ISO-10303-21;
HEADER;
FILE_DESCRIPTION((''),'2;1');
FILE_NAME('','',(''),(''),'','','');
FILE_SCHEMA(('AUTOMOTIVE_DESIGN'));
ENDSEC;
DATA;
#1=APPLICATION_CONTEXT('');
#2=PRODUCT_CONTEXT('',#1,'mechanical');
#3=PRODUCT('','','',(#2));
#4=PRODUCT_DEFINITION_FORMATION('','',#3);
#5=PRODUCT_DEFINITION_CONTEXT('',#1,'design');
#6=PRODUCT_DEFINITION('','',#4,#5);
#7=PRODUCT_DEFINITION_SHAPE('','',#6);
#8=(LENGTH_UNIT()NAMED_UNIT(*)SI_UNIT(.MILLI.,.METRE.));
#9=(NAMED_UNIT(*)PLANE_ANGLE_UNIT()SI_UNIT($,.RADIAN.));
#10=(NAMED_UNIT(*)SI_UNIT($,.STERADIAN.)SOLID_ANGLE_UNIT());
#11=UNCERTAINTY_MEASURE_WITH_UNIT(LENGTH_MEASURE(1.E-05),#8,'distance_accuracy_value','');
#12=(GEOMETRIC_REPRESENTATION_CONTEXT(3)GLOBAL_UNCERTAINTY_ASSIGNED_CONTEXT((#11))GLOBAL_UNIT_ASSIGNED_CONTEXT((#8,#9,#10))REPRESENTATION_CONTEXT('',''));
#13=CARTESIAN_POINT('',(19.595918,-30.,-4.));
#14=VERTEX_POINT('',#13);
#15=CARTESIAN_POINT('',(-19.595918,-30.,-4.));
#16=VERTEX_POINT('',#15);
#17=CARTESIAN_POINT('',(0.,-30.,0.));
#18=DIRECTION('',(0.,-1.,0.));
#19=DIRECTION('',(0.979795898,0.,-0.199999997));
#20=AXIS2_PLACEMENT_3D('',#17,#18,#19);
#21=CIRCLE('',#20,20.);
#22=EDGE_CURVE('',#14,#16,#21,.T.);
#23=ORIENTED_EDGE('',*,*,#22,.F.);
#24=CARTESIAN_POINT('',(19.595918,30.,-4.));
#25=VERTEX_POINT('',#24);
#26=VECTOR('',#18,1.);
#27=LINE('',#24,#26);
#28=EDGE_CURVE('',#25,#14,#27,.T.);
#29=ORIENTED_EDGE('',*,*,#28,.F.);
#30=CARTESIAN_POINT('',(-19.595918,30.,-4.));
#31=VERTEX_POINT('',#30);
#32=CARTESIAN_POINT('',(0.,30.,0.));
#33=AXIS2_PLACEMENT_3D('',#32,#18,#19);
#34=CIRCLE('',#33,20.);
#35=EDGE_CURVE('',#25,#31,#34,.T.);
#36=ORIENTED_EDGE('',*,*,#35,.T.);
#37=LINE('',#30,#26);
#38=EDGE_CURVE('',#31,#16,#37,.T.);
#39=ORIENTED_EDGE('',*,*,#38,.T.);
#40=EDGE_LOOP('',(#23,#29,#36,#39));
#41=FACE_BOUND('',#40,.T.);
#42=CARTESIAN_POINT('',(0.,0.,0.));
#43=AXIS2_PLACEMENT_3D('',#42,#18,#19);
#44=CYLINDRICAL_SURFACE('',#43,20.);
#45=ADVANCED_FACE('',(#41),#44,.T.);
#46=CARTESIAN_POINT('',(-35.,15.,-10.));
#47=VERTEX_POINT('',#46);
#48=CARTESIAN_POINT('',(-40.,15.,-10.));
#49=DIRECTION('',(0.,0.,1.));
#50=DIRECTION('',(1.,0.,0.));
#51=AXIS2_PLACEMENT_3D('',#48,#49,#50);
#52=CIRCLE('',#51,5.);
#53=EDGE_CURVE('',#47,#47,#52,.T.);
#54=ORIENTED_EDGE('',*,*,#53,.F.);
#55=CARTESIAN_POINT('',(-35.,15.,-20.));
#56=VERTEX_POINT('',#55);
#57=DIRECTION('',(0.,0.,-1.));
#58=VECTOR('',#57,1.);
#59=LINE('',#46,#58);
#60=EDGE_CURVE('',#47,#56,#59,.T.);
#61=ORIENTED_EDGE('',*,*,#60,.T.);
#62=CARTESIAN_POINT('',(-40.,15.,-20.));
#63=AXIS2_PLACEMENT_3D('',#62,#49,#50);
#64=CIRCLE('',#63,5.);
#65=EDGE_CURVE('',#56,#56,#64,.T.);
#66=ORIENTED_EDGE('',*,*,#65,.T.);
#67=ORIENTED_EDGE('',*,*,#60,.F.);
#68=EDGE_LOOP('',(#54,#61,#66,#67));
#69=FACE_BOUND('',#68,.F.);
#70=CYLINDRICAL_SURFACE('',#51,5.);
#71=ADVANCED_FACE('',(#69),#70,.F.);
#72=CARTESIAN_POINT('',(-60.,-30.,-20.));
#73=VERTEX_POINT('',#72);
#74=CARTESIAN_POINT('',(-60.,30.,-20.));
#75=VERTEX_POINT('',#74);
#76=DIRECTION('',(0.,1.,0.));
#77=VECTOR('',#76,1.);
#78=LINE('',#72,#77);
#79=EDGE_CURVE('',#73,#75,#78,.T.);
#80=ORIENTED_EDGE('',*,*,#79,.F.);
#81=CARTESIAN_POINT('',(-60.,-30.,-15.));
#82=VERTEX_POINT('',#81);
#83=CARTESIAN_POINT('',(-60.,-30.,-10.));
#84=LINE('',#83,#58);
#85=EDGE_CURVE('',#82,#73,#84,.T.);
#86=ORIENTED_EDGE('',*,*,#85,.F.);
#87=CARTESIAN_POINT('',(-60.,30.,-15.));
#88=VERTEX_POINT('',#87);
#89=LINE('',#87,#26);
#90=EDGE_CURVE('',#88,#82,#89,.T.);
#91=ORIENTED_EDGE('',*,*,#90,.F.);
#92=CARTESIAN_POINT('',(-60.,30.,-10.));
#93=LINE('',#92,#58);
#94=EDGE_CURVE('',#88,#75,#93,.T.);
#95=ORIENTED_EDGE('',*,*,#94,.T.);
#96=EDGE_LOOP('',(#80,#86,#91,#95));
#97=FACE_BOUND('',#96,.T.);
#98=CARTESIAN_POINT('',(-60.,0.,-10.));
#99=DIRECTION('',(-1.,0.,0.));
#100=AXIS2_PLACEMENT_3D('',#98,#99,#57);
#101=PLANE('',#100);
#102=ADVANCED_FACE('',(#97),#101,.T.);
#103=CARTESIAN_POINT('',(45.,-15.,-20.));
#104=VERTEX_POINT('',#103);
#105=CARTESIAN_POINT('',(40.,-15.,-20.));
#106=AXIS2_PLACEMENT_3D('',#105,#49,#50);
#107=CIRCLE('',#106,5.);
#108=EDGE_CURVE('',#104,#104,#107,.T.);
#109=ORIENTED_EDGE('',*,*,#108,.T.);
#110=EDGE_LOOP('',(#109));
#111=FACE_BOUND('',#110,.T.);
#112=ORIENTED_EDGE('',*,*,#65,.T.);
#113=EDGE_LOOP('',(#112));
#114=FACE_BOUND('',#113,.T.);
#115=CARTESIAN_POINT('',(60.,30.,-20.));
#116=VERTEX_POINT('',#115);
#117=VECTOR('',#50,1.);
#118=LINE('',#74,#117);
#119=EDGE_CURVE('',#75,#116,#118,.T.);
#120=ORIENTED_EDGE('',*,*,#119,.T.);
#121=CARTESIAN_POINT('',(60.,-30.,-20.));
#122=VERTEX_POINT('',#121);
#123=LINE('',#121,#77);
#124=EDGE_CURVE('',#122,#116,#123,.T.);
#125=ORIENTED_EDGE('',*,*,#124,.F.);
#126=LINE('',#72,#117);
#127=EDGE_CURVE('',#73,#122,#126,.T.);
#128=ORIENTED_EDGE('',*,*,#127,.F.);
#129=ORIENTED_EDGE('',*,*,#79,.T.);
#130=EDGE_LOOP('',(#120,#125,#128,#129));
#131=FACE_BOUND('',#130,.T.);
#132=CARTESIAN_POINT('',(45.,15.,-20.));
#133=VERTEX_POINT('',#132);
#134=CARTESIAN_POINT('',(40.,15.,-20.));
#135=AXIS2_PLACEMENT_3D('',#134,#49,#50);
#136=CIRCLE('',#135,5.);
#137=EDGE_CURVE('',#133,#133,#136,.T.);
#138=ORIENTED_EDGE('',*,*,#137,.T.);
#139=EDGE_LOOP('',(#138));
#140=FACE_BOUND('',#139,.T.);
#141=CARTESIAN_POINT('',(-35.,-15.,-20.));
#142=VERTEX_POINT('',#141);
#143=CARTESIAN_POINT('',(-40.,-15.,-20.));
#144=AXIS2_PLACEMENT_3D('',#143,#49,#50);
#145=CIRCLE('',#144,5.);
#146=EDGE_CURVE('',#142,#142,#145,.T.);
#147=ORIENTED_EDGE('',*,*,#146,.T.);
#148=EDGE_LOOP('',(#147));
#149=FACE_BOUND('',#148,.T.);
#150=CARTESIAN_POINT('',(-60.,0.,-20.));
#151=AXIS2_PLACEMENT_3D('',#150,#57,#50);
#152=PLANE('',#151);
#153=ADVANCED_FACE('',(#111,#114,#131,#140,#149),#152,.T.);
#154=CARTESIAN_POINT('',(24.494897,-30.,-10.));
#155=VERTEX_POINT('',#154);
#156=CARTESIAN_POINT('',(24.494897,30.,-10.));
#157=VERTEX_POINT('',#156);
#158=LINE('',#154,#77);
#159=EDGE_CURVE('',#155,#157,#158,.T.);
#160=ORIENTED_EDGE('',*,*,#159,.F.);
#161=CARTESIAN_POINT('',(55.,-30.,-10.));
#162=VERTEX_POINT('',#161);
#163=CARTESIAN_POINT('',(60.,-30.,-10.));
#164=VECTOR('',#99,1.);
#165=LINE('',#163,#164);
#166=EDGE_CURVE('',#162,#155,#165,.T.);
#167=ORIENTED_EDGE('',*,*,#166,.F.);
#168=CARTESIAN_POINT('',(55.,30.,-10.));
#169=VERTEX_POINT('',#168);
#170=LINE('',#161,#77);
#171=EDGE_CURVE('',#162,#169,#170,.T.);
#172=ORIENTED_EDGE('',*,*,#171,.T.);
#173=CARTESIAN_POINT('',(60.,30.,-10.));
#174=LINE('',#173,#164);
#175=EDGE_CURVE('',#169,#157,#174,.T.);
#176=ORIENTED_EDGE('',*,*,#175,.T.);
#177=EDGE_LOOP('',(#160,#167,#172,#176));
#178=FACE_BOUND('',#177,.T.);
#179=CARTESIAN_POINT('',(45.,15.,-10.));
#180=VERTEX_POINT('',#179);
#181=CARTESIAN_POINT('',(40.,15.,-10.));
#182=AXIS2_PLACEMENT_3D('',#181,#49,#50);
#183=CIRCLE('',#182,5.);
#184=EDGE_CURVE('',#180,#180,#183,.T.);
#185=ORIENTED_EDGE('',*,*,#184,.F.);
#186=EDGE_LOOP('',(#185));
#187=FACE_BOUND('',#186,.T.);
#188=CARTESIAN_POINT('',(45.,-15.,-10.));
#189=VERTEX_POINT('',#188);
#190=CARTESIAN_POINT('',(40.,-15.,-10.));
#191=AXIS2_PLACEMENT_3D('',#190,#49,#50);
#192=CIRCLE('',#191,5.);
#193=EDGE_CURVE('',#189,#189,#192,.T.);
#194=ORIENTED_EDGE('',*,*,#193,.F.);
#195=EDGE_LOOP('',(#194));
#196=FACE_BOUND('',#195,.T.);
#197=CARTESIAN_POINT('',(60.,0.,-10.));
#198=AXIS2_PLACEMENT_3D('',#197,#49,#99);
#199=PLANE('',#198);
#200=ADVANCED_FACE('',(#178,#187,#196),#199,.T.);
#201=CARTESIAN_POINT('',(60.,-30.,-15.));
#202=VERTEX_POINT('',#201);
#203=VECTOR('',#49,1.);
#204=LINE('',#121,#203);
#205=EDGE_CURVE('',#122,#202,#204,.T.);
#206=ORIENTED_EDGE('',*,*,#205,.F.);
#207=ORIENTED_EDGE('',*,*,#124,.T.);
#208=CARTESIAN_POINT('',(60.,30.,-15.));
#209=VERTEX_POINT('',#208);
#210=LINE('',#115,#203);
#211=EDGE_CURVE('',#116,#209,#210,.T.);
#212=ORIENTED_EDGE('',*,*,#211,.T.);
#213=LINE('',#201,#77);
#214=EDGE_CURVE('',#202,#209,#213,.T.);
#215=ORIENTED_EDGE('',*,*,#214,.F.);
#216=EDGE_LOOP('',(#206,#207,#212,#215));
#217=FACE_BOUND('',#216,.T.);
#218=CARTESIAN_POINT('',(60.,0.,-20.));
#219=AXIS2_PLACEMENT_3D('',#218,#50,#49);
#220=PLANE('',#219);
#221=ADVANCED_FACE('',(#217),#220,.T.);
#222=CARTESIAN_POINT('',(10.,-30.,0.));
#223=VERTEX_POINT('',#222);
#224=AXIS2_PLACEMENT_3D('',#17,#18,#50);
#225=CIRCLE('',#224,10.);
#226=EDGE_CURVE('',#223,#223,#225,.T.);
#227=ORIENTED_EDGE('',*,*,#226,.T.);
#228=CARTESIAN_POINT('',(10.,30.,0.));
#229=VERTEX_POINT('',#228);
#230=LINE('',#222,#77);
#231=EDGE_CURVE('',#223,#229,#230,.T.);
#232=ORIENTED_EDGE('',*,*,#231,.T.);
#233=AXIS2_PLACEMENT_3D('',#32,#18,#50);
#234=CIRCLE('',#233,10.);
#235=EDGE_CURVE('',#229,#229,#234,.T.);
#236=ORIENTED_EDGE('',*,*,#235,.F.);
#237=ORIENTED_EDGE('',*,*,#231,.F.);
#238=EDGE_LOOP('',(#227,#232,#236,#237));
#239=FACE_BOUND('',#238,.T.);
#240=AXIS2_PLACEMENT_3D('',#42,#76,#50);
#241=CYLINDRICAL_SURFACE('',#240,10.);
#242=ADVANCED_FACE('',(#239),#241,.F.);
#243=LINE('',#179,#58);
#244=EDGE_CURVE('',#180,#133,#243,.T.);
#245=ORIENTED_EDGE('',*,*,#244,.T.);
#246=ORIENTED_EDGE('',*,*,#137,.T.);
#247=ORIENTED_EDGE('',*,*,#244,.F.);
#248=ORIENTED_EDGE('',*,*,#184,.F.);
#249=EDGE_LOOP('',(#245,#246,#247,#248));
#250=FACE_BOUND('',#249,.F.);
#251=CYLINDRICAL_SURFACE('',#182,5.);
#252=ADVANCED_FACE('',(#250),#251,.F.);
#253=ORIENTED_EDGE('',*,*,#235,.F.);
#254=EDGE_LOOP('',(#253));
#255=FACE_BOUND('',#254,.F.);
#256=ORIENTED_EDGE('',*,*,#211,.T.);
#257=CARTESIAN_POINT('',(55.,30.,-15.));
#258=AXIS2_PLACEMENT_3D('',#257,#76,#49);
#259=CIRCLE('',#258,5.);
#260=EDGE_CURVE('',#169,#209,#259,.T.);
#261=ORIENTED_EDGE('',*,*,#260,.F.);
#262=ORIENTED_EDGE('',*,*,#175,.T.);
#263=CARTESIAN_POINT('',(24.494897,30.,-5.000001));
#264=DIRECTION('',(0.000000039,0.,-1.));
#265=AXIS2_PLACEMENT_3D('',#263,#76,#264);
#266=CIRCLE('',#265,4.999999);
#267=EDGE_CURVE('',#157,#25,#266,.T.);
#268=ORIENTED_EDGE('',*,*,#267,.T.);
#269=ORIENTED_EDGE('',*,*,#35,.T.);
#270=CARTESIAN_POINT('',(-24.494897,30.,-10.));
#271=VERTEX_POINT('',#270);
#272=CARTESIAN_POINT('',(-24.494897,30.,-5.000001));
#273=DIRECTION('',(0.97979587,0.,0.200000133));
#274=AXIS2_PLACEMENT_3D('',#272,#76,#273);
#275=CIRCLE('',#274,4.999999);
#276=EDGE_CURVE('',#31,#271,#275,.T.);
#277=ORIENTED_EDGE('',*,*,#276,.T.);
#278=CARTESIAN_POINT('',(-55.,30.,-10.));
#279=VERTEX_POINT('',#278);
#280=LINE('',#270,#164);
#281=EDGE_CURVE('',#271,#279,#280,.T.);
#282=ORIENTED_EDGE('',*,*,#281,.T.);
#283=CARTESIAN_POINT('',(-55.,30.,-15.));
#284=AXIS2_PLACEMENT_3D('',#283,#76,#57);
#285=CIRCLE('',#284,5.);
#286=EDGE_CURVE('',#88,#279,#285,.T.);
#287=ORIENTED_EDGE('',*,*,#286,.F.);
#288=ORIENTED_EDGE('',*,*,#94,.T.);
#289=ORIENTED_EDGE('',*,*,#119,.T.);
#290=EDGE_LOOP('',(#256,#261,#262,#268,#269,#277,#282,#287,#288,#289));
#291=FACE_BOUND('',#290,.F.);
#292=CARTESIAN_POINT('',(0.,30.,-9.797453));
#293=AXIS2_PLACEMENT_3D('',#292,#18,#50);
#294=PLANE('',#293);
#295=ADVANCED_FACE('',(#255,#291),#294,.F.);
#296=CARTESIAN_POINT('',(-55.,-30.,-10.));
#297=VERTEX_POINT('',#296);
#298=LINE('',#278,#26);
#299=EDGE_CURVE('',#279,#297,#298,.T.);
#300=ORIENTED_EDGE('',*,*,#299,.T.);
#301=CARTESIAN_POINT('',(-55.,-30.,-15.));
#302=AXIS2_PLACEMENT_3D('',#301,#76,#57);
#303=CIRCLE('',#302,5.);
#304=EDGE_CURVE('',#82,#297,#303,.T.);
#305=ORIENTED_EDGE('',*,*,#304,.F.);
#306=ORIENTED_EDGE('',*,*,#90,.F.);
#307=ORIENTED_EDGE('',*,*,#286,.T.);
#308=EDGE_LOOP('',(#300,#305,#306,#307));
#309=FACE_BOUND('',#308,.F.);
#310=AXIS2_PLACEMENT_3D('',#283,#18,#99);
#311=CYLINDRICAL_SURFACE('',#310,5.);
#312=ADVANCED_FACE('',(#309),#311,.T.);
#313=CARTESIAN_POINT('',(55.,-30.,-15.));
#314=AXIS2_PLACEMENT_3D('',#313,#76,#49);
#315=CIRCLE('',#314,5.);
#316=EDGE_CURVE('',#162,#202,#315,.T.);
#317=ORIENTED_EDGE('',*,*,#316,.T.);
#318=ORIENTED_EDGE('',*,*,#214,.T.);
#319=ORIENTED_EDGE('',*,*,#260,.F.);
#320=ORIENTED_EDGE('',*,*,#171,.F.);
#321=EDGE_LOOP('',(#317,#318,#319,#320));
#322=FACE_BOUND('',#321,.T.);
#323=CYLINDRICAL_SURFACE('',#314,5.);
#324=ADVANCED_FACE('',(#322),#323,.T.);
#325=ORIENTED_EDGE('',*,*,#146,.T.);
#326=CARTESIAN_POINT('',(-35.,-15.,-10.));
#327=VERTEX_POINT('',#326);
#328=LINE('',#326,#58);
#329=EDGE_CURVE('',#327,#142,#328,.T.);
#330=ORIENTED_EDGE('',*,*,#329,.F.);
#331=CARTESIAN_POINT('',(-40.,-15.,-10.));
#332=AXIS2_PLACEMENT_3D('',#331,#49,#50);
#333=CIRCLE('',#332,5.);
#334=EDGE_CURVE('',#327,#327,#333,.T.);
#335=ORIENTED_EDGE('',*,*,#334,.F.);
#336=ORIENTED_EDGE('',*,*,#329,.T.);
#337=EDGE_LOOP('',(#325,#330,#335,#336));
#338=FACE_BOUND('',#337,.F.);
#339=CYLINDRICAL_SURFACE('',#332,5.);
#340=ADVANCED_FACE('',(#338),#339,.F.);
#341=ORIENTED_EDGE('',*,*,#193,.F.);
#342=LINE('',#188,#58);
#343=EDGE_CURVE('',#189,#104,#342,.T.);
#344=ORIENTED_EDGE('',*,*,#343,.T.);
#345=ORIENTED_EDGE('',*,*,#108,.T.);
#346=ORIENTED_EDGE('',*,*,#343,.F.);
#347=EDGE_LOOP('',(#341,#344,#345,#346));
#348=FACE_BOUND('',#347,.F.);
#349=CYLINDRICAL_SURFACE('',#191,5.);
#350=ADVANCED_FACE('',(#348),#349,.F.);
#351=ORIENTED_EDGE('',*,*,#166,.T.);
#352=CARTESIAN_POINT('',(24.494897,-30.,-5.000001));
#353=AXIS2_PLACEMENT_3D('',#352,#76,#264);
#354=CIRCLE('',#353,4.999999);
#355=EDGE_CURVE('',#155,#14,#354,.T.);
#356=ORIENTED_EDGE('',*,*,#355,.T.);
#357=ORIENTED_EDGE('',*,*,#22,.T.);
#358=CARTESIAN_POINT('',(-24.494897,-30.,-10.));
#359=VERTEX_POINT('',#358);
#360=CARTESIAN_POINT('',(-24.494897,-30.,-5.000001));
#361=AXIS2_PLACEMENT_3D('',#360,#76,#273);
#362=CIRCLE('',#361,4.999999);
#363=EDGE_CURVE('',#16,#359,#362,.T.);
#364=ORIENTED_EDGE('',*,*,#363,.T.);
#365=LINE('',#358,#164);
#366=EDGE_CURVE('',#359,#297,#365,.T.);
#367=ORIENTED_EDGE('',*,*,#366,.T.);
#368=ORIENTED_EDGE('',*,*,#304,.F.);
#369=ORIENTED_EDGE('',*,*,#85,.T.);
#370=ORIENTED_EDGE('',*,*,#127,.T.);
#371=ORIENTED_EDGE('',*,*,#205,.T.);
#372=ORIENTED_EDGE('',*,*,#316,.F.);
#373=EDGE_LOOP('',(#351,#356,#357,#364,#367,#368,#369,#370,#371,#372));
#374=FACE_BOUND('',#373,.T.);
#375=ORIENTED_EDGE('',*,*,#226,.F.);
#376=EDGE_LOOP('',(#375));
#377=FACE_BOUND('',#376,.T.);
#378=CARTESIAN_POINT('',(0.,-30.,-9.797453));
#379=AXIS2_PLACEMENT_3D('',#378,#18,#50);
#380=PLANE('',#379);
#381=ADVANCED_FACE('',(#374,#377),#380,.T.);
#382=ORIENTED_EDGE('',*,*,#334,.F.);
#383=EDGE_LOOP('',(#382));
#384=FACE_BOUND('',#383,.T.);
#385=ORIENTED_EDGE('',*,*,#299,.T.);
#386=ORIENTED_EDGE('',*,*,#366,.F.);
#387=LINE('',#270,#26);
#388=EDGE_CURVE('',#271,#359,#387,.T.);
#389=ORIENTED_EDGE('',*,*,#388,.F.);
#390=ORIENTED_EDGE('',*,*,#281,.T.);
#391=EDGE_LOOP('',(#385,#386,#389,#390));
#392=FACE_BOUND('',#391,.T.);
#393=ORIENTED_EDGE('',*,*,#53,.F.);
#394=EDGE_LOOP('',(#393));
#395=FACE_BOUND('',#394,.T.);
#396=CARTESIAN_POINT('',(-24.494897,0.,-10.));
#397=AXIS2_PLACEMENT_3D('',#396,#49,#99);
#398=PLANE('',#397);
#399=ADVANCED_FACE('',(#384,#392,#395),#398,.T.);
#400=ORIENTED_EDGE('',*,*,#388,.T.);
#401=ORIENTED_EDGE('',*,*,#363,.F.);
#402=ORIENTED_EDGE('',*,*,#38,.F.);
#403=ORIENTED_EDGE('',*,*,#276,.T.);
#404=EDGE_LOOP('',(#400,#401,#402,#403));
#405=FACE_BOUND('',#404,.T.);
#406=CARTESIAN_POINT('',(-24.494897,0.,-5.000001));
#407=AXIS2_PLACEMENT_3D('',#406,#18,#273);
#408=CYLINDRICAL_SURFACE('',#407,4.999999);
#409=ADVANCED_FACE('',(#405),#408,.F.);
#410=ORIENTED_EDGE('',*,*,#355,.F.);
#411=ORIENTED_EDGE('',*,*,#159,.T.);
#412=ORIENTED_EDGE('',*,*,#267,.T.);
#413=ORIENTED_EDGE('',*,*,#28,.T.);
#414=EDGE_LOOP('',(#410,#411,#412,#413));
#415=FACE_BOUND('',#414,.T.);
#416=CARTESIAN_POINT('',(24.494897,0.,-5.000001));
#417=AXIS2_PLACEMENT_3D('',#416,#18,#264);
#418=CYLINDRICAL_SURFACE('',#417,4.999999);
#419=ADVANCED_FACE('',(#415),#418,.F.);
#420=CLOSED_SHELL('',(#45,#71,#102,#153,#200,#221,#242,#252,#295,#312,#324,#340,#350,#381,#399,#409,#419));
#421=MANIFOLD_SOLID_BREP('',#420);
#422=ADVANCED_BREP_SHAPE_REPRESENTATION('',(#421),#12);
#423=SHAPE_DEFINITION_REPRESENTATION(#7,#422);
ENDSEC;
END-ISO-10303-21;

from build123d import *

# Parameters (mm, degrees)
F0_R     = 10
F1_DEPTH = 30
F2_R     = 5
F3_R     = 5
F4_DEPTH = 10.001


with BuildPart() as f1:
    # F0 (on Front) → F1 (new body, symmetric)
    with BuildSketch(Plane.XZ):
        with BuildLine():
            ThreePointArc((24.494897, -10), (20.621914, -8.162278), (19.595918, -4))
            ThreePointArc((19.595918, -4), (0, 20), (-19.595918, -4))
            ThreePointArc((-19.595918, -4), (-20.621914, -8.162278), (-24.494897, -10))
            Line((-24.494897, -10), (-60, -10))
            Line((-60, -10), (-60, -20))
            Line((-60, -20), (60, -20))
            Line((60, -20), (60, -10))
            Line((60, -10), (24.494897, -10))
        make_face()
        Circle(F0_R, mode=Mode.SUBTRACT)
    extrude(amount=F1_DEPTH, both=True)

    # F2
    f2_edges = [f1.edges().sort_by_distance(p)[0] for p in [
        (60, 0, -10),
        (-60, 0, -10),
    ]]
    fillet(f2_edges, radius=F2_R)

    # F3 (on face) → F4 (cut, through all)
    with BuildSketch(Plane.XY.offset(-10)):
        with Locations((-40, 15)):
            Circle(F3_R)
        with Locations((-40, -15)):
            Circle(F3_R)
        with Locations((40, -15)):
            Circle(F3_R)
        with Locations((40, 15)):
            Circle(F3_R)
    extrude(amount=-F4_DEPTH, mode=Mode.SUBTRACT)


solid = f1.part
